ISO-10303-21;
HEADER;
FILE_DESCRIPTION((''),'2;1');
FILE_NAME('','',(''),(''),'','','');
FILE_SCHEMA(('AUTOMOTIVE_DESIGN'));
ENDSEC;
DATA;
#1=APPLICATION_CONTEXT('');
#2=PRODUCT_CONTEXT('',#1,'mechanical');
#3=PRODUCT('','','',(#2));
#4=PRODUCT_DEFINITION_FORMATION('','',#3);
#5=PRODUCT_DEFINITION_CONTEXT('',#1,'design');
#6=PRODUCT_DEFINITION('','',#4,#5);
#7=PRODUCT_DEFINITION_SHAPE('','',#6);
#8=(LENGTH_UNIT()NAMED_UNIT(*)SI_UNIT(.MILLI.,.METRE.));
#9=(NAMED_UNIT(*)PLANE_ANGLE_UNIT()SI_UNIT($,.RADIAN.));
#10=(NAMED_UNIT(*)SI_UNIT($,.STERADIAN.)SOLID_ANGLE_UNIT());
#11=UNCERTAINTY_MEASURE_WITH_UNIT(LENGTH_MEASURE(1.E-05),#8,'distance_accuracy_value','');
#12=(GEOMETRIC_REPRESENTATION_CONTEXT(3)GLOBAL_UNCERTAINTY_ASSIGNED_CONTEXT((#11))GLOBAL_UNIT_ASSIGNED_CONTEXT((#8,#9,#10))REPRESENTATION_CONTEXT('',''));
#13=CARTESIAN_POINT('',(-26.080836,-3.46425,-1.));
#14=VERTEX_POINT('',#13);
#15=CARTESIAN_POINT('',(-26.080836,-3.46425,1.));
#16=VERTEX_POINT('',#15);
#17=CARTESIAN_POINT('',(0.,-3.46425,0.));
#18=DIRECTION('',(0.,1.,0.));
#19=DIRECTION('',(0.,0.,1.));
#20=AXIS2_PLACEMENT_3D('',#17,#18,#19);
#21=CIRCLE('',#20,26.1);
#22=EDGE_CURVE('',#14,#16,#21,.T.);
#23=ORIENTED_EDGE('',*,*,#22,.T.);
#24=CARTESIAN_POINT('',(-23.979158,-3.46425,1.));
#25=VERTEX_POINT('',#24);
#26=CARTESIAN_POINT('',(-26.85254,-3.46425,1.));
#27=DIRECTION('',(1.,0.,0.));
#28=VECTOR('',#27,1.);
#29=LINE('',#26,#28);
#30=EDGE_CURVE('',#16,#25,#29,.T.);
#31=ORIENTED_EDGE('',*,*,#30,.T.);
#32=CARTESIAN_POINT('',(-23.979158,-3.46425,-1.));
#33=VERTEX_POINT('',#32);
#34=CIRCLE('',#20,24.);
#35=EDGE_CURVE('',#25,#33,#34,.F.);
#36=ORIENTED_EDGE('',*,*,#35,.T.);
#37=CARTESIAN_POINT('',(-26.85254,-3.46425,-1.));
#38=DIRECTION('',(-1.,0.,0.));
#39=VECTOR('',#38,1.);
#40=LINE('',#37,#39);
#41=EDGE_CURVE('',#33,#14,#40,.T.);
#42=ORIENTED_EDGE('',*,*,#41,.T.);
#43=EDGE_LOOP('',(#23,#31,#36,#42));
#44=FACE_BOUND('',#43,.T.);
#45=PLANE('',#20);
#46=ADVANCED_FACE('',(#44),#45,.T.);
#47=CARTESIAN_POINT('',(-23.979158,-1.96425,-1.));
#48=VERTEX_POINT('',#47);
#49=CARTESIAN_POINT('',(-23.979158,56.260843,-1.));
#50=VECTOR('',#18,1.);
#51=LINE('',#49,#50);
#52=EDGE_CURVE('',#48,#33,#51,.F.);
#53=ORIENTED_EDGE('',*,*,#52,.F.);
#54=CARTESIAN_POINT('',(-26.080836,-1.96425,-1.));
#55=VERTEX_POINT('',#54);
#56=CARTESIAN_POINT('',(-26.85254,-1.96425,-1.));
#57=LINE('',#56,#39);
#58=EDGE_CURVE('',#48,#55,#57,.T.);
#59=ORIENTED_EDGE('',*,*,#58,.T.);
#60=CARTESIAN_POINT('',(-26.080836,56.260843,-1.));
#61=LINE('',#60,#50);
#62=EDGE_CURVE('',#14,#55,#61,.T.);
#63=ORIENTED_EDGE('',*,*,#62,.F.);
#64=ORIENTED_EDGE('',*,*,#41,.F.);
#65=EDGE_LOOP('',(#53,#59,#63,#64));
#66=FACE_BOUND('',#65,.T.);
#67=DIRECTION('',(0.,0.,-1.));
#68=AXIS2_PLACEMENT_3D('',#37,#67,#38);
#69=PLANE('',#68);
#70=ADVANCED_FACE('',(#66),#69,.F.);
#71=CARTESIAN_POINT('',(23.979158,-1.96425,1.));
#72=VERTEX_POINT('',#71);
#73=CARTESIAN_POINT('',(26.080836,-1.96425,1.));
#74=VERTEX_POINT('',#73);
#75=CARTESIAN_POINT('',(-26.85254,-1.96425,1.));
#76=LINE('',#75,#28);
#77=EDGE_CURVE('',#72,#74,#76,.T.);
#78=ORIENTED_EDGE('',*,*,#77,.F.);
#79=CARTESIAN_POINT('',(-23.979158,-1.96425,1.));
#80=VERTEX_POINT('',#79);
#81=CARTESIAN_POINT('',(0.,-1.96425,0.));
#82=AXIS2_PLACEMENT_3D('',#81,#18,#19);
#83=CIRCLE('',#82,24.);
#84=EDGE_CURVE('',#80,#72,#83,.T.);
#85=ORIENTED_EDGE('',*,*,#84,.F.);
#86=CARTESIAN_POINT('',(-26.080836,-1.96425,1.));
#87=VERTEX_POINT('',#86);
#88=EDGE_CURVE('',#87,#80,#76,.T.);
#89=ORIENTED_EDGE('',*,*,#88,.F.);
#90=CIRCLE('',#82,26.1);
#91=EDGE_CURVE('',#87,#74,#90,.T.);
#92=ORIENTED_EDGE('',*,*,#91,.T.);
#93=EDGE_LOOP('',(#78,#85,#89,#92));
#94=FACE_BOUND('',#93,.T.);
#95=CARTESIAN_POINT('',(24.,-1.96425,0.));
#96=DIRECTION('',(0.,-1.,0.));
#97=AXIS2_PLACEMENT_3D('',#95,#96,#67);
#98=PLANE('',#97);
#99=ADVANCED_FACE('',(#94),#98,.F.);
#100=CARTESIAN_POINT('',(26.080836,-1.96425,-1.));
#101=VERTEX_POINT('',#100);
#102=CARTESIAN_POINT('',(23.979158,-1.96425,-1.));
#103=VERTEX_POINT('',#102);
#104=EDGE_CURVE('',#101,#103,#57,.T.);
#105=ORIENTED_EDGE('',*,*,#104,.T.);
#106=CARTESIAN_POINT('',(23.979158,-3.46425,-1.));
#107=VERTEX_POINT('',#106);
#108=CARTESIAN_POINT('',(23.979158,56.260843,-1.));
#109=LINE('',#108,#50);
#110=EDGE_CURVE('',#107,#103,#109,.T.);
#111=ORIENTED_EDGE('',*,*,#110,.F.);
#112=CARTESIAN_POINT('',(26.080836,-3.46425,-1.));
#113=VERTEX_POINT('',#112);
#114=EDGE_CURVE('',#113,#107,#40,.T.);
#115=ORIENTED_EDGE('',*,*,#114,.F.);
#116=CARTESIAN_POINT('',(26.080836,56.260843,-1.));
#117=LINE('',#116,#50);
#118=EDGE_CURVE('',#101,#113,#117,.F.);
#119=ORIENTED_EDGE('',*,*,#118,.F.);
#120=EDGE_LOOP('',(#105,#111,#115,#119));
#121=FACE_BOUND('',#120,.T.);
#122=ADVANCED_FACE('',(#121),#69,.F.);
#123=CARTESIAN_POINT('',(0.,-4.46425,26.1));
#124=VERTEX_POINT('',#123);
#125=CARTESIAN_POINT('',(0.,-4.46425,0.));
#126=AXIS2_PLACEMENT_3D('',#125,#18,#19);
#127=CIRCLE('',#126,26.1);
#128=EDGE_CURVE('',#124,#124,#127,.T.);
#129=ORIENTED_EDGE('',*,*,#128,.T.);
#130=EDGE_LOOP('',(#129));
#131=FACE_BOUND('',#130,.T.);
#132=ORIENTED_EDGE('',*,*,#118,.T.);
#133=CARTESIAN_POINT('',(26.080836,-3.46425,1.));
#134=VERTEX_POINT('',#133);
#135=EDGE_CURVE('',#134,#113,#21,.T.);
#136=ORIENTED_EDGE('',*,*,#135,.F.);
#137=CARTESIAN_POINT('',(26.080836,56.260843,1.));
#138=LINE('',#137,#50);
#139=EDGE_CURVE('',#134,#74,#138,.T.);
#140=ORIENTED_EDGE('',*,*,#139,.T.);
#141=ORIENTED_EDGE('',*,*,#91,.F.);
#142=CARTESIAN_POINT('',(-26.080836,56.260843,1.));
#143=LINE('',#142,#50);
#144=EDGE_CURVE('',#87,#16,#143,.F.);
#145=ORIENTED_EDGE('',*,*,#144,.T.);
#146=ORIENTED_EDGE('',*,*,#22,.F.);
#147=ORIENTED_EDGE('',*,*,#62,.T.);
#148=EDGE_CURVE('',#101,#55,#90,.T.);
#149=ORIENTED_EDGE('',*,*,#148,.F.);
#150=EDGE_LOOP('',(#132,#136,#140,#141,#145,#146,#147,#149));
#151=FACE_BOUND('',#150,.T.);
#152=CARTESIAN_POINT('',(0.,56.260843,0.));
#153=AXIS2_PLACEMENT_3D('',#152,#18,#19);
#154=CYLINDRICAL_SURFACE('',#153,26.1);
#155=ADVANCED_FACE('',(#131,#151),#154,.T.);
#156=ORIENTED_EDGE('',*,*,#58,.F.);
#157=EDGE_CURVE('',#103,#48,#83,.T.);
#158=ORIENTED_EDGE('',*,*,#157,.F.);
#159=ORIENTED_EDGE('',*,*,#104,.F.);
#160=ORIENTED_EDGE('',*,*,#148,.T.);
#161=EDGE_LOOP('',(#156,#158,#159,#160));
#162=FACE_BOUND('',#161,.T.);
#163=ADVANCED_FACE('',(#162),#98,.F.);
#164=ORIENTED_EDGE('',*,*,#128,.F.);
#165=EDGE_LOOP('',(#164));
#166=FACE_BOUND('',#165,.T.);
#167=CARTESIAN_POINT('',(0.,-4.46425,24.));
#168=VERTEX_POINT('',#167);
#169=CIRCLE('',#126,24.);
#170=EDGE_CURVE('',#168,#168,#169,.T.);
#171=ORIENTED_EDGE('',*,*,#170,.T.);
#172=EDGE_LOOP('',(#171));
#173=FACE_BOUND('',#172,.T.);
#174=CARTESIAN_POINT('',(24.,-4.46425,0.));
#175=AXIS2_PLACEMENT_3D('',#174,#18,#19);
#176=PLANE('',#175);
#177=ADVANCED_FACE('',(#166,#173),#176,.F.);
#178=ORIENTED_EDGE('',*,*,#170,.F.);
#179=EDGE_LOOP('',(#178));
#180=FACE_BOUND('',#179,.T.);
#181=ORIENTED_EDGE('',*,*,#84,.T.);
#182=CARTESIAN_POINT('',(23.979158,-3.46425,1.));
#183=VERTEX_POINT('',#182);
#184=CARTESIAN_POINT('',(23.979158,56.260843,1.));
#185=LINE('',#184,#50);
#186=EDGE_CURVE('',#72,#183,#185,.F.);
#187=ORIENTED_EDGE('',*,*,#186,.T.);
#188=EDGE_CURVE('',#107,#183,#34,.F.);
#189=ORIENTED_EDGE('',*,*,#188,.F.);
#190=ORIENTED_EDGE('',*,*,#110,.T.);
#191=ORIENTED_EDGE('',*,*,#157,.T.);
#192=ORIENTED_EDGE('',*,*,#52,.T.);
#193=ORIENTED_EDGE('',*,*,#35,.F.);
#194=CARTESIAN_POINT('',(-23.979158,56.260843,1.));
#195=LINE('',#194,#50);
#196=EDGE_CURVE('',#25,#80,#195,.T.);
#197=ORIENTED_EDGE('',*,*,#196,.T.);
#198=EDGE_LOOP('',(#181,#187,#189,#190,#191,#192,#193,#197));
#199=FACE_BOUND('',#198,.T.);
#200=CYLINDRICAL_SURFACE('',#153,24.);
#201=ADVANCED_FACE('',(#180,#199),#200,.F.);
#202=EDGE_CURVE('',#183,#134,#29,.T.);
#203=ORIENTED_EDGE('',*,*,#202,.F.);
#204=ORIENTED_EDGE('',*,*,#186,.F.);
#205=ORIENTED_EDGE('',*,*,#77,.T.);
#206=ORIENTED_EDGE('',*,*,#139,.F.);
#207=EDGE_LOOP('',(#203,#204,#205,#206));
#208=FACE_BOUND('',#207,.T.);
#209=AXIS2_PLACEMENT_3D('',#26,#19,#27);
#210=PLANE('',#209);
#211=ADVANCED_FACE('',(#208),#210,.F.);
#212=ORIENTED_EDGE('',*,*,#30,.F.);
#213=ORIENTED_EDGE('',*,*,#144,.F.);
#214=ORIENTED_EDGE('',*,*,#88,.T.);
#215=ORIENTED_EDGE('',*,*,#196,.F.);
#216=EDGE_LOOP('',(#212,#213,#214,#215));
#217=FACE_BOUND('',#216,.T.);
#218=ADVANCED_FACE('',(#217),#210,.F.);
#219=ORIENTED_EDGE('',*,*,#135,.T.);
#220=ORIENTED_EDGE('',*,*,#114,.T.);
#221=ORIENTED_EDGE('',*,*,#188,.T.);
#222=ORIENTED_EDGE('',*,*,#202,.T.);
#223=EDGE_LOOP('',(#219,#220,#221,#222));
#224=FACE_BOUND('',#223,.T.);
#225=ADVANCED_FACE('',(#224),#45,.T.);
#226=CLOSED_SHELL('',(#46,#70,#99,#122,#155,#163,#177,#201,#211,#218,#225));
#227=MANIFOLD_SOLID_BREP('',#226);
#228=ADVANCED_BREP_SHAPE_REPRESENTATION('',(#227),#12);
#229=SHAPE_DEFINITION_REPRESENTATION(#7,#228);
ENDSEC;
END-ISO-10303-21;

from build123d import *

# Parameters (mm, degrees)
SKETCH_1_W          = 2.1
SKETCH_1_H          = 2.5
SKETCH_2_W          = 53.705080546
SKETCH_2_H          = 2
CUT_EXTRUDE_1_DEPTH = 1.5


with BuildPart() as part:
    # 草图1 → 旋转1 (revolve)
    with BuildSketch(Plane.XY, mode=Mode.PRIVATE) as revolve_1_sk:
        with Locations((25.05, -3.214249787)):
            Rectangle(SKETCH_1_W, SKETCH_1_H)
    revolve(revolve_1_sk.sketch.rotate(Axis((0, 56.260842627, 0), (0, -1, 0)), 90), axis=Axis((0, 56.260842627, 0), (0, -1, 0)))  # turned: the seam where the file's is

    # 草图2 → 切除-拉伸1 (cut)
    with BuildSketch(Plane(origin=(0, -1.964249787, 0), x_dir=(1, 0, 0), z_dir=(0, 1, 0))):
        Rectangle(SKETCH_2_W, SKETCH_2_H)
    extrude(amount=-CUT_EXTRUDE_1_DEPTH, mode=Mode.SUBTRACT)


solid = part.part
